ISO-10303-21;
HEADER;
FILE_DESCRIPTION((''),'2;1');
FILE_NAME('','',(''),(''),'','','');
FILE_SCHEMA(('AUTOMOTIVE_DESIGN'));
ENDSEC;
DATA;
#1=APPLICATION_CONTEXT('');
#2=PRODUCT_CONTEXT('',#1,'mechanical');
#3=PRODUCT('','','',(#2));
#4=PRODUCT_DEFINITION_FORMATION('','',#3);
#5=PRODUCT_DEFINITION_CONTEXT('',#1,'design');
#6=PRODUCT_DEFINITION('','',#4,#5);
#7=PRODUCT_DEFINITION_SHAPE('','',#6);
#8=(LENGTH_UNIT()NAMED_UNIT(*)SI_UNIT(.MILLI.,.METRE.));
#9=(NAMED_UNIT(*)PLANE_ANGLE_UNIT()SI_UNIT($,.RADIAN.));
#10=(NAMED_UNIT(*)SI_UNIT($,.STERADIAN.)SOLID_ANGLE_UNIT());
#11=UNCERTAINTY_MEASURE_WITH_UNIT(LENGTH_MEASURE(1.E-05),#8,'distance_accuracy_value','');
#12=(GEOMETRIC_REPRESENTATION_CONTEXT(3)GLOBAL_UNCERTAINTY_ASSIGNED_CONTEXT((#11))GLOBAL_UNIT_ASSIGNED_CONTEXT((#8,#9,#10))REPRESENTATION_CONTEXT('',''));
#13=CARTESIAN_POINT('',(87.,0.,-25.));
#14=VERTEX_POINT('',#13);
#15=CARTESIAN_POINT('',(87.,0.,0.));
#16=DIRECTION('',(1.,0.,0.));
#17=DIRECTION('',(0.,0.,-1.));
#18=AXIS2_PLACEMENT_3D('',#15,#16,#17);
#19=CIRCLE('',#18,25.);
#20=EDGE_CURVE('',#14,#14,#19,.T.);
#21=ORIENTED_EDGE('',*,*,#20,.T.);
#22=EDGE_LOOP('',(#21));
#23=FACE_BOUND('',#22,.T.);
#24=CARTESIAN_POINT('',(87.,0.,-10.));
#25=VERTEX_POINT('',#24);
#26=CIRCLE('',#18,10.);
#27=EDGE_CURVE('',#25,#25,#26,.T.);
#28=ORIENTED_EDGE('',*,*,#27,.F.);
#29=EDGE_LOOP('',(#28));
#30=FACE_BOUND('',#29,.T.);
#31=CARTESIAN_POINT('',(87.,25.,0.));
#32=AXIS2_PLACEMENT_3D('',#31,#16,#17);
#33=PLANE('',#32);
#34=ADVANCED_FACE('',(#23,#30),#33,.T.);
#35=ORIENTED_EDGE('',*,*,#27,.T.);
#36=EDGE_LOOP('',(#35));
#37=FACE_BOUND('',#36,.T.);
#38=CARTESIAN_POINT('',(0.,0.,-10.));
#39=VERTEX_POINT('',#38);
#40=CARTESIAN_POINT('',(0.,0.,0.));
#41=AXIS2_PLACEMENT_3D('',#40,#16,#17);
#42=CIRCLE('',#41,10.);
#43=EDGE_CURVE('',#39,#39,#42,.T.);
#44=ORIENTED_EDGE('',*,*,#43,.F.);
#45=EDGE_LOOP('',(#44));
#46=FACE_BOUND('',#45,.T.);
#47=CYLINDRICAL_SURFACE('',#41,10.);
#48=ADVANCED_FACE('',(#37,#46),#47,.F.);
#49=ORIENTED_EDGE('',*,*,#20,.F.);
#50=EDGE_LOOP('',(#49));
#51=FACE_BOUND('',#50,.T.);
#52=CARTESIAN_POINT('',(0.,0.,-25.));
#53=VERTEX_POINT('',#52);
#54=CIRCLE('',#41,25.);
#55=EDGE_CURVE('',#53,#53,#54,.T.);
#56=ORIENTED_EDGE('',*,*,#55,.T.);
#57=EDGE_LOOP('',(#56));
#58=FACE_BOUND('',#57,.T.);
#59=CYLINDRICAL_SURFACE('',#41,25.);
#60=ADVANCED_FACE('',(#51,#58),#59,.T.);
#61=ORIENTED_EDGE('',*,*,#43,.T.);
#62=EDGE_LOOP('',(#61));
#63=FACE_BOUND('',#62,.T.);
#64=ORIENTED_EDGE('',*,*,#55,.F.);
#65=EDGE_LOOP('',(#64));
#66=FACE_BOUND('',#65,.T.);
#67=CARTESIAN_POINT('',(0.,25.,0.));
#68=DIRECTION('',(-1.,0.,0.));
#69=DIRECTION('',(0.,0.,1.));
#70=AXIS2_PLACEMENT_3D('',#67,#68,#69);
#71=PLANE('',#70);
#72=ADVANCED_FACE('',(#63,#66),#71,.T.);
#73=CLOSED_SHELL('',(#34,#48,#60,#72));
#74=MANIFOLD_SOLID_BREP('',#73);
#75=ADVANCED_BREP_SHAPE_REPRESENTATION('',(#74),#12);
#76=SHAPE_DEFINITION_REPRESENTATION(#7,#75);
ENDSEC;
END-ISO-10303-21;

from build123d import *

# Parameters (mm, degrees)
ESBO_O1_W = 87
ESBO_O1_H = 15


with BuildPart() as part:
    # Esboço1 → Revolução1 (revolve)
    with BuildSketch(Plane.XY):
        with Locations((43.5, 17.5)):
            Rectangle(ESBO_O1_W, ESBO_O1_H)
    revolve(axis=Axis((0, 0, 0), (-1, 0, 0)))


solid = part.part
